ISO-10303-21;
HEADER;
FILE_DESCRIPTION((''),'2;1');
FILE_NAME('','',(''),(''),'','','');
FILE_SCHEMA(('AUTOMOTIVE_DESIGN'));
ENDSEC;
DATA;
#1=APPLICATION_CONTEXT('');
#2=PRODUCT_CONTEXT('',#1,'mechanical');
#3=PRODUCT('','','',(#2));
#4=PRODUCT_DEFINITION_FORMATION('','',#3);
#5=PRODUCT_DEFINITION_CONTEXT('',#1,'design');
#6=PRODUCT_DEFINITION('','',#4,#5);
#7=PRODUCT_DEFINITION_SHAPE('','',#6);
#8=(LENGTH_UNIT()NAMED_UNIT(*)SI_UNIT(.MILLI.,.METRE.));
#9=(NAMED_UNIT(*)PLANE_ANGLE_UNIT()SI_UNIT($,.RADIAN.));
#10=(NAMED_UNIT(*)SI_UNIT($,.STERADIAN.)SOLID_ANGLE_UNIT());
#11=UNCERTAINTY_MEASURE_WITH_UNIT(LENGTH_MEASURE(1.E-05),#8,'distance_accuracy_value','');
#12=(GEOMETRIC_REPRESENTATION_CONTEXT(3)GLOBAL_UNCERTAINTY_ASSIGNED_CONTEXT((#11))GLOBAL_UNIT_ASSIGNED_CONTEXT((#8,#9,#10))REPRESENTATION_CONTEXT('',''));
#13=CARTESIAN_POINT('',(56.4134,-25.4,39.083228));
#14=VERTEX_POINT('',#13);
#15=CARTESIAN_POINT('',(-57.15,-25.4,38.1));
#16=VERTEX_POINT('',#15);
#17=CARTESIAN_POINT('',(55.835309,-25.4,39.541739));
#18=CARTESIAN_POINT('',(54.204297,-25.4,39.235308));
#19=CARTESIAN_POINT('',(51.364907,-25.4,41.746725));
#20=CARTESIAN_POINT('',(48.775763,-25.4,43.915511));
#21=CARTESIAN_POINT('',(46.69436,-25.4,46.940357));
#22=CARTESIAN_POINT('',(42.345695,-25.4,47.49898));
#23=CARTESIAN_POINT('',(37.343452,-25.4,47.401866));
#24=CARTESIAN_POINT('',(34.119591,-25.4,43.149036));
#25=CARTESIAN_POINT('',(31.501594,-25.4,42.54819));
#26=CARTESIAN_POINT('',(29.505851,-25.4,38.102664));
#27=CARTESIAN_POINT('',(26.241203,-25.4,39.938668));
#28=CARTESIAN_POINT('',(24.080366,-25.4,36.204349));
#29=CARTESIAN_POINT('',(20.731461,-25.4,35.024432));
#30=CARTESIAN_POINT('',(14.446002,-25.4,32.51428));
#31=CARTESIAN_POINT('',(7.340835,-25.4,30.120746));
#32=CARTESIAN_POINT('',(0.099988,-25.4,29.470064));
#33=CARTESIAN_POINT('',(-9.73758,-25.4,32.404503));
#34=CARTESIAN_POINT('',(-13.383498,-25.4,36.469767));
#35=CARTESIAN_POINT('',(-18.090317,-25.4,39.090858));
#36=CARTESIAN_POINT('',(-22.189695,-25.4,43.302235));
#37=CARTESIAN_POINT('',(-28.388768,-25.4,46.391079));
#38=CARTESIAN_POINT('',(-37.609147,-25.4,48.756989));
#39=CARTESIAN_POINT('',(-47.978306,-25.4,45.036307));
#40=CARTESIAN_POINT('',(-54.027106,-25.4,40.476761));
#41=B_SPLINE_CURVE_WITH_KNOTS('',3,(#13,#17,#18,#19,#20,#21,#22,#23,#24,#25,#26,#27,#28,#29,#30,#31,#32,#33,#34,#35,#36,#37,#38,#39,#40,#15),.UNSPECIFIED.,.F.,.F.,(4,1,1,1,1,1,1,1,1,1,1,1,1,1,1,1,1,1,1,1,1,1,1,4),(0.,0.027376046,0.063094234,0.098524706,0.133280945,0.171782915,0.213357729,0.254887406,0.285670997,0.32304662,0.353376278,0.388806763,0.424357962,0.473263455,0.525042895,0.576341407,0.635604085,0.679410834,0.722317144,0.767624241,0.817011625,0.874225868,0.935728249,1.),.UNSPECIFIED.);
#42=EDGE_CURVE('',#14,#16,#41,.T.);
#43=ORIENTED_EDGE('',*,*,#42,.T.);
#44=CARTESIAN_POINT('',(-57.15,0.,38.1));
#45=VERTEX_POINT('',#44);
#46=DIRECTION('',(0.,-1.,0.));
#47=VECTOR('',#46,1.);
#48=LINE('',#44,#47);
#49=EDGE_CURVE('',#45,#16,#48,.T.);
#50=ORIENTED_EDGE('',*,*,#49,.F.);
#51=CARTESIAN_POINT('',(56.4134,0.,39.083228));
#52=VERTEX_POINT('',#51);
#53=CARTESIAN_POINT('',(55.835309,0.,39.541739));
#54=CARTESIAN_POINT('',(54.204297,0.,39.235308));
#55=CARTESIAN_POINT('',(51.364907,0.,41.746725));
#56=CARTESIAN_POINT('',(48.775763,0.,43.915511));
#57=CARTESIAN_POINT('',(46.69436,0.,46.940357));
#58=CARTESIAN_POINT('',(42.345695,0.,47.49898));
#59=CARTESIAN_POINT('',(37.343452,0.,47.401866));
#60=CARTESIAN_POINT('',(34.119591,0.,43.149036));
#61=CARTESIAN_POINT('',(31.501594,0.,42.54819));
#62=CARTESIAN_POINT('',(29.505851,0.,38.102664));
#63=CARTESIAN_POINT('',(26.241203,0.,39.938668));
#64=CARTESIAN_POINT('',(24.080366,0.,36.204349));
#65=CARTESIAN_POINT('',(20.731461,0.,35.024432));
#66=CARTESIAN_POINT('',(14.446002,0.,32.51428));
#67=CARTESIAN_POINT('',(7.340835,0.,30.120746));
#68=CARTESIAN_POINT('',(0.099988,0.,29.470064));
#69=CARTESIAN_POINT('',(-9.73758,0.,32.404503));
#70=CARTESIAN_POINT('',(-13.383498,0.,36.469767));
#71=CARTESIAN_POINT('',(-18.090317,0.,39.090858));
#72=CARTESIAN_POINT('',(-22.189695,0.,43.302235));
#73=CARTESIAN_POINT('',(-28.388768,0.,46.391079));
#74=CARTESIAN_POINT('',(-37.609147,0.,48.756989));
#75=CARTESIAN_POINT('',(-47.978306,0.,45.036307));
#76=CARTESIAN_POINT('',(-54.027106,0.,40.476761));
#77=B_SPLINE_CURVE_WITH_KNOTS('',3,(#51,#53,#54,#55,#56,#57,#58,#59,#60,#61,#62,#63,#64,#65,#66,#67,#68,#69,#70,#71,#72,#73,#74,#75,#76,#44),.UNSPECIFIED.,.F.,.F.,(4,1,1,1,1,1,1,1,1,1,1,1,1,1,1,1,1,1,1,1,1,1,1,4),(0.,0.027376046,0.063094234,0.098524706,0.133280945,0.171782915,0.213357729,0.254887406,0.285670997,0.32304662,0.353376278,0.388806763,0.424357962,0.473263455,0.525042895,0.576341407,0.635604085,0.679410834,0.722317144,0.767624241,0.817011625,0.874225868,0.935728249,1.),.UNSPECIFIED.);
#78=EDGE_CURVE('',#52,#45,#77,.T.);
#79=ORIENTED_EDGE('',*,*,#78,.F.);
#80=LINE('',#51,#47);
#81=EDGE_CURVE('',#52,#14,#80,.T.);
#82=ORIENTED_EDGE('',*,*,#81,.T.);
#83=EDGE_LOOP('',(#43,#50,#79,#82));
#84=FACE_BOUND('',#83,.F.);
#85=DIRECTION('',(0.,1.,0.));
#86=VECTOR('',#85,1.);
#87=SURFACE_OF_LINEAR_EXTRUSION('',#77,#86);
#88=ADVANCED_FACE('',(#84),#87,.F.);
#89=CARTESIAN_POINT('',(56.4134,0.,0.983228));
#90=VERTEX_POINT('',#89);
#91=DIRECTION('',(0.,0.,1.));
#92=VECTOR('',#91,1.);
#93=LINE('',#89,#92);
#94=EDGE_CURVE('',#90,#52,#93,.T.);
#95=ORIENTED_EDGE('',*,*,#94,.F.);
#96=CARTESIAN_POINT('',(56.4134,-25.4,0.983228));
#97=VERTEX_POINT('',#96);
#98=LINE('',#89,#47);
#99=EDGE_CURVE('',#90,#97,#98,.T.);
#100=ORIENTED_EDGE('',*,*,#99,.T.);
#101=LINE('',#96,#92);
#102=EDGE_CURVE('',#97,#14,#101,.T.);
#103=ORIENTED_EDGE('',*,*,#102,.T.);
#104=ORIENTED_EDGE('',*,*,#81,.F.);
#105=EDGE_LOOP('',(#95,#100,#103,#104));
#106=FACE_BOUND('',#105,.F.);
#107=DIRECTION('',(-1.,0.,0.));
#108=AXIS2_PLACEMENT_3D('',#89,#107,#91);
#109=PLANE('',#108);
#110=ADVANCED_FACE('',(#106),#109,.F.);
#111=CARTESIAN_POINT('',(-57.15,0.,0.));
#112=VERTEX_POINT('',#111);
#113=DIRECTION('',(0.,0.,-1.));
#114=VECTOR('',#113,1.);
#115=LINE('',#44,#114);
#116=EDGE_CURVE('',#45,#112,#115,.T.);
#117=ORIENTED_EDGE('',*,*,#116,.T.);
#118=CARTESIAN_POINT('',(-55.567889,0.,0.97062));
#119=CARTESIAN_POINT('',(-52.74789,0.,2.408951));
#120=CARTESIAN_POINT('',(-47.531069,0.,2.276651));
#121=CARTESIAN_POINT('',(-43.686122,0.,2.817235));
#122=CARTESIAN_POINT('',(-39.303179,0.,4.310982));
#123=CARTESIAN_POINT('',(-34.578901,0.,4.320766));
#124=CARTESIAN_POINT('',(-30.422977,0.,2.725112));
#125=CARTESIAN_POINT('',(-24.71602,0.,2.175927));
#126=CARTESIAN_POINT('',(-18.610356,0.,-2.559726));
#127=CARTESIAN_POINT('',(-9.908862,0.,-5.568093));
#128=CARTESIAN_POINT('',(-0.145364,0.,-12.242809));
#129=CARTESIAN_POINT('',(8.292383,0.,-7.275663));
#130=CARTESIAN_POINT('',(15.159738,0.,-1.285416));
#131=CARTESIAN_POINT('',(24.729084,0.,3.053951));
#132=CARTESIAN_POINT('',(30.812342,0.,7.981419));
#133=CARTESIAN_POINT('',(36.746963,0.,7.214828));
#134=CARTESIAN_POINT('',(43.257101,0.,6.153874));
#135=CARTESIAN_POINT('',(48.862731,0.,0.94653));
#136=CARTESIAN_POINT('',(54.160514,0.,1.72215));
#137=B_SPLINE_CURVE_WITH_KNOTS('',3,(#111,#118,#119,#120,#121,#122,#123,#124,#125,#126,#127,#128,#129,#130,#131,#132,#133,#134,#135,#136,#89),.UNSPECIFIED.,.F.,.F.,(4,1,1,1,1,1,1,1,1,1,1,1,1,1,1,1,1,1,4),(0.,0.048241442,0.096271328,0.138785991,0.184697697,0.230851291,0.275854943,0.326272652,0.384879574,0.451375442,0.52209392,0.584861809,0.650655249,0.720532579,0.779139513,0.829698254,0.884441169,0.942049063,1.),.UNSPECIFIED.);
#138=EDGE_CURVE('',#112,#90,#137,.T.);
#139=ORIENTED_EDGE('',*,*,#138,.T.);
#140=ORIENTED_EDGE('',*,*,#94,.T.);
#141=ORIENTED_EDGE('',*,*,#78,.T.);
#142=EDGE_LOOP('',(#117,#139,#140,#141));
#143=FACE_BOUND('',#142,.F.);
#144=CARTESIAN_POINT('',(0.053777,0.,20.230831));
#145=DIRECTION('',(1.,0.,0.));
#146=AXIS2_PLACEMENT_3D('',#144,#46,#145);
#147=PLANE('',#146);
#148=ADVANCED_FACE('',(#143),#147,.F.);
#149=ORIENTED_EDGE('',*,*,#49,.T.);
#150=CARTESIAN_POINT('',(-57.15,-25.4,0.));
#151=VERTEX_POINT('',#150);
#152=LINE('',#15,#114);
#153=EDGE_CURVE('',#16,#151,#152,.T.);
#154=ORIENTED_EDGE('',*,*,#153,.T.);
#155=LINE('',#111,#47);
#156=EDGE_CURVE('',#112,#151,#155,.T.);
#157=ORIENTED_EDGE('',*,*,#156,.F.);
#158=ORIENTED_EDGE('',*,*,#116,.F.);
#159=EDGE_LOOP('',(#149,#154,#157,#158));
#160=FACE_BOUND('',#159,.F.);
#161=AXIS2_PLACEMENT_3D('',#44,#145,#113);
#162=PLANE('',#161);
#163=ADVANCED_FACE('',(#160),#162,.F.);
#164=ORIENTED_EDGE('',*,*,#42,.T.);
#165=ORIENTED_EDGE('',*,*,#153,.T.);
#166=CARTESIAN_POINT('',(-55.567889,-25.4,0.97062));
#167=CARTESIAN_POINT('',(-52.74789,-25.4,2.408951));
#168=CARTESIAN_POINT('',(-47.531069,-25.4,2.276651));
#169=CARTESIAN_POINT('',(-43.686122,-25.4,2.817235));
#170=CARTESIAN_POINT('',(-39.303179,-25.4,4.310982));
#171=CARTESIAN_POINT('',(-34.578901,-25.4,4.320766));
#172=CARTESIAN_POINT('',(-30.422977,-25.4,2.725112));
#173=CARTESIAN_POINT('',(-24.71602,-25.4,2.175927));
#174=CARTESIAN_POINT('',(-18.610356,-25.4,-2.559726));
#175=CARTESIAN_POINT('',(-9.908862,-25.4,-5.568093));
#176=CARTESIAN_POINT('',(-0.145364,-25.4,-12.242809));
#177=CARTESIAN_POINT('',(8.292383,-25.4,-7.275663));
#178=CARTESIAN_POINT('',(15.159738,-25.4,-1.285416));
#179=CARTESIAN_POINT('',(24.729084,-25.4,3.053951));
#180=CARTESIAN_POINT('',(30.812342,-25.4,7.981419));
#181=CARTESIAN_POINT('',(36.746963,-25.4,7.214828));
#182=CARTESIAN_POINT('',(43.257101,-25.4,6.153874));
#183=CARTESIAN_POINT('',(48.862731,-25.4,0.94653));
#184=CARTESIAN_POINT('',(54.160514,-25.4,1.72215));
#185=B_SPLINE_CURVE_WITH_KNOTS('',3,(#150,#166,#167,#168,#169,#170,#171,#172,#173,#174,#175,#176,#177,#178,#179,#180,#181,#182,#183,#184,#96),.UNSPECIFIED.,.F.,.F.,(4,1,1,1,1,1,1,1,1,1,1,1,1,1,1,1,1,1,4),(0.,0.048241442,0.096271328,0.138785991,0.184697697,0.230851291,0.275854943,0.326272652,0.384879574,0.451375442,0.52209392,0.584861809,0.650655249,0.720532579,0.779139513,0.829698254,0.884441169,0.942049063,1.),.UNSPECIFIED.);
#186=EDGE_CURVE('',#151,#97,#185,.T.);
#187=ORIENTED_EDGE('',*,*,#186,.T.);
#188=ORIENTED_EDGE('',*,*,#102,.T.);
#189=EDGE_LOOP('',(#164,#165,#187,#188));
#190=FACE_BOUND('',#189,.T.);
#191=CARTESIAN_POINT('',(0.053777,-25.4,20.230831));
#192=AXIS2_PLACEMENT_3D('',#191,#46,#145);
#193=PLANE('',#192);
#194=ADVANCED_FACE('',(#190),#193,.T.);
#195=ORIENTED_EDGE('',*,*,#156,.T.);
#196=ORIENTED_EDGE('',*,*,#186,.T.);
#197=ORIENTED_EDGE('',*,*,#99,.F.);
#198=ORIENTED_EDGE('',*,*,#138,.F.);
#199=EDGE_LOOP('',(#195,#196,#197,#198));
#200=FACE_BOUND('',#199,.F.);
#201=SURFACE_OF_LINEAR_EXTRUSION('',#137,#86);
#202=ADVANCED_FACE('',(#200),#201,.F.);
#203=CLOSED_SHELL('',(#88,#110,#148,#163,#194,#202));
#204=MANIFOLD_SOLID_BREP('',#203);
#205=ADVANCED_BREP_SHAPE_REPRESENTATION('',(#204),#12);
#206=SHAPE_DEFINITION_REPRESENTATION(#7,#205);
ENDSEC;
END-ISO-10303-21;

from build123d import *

# Parameters (mm, degrees)
F1_DEPTH = 25.4


with BuildPart() as f1:
    # F0 (on Front) → F1 (new body)
    with BuildSketch(Plane.XZ):
        with BuildLine():
            Line((-57.15, 38.1), (-57.15, 0))
            add(Edge.make_bspline(
                [(-57.15, 0), (-55.5678887536, 0.9706204602), (-52.7478898387, 2.408951432), (-47.5310688636, 2.2766508521), (-43.6861215401, 2.8172347662), (-39.3031787041, 4.3109821559), (-34.5789008382, 4.3207657325), (-30.4229767647, 2.7251123168), (-24.7160199315, 2.1759268258), (-18.6103564436, -2.5597255261), (-9.908862206, -5.5680926945), (-0.1453641285, -12.2428093332), (8.292383439, -7.2756631324), (15.1597377216, -1.2854158249), (24.7290837015, 3.0539505609), (30.8123423692, 7.9814189323), (36.7469632801, 7.2148284875), (43.2571012522, 6.1538741084), (48.8627314855, 0.9465299022), (54.1605135573, 1.7221504192), (56.4134, 0.9832275152)],
                knots=[0, 0, 0, 0, 0.0482414419, 0.096271328, 0.1387859906, 0.1846976974, 0.230851291, 0.2758549434, 0.3262726517, 0.3848795739, 0.4513754422, 0.5220939204, 0.5848618089, 0.6506552485, 0.7205325792, 0.7791395134, 0.829698254, 0.8844411687, 0.9420490632, 1, 1, 1, 1], degree=3))
            Line((56.4134, 0.9832275152), (56.4134, 39.0832275152))
            add(Edge.make_bspline(
                [(56.4134, 39.0832275152), (55.8353088309, 39.541739459), (54.2042967777, 39.2353079029), (51.3649071584, 41.7467249937), (48.7757629052, 43.9155113804), (46.6943595063, 46.9403570368), (42.3456952695, 47.4989796325), (37.3434521381, 47.4018659209), (34.1195906969, 43.1490362558), (31.5015941467, 42.5481900506), (29.5058509814, 38.1026640581), (26.2412030319, 39.9386678379), (24.0803655737, 36.2043494201), (20.7314612557, 35.0244324588), (14.4460019279, 32.5142797222), (7.3408353266, 30.1207455573), (0.0999881241, 29.4700643124), (-9.7375800497, 32.4045034935), (-13.3834979865, 36.4697673394), (-18.0903166453, 39.0908578394), (-22.1896954994, 43.3022351003), (-28.3887675408, 46.3910787669), (-37.6091474203, 48.7569892795), (-47.9783058086, 45.0363073936), (-54.0271058575, 40.4767609882), (-57.15, 38.1)],
                knots=[0, 0, 0, 0, 0.0273760458, 0.0630942345, 0.0985247056, 0.1332809452, 0.1717829148, 0.2133577285, 0.2548874063, 0.2856709967, 0.32304662, 0.3533762782, 0.3888067631, 0.4243579624, 0.473263455, 0.5250428948, 0.5763414068, 0.6356040847, 0.6794108341, 0.7223171439, 0.7676242406, 0.8170116255, 0.8742258684, 0.9357282485, 1, 1, 1, 1], degree=3))
        make_face()
    extrude(amount=F1_DEPTH)


solid = f1.part
